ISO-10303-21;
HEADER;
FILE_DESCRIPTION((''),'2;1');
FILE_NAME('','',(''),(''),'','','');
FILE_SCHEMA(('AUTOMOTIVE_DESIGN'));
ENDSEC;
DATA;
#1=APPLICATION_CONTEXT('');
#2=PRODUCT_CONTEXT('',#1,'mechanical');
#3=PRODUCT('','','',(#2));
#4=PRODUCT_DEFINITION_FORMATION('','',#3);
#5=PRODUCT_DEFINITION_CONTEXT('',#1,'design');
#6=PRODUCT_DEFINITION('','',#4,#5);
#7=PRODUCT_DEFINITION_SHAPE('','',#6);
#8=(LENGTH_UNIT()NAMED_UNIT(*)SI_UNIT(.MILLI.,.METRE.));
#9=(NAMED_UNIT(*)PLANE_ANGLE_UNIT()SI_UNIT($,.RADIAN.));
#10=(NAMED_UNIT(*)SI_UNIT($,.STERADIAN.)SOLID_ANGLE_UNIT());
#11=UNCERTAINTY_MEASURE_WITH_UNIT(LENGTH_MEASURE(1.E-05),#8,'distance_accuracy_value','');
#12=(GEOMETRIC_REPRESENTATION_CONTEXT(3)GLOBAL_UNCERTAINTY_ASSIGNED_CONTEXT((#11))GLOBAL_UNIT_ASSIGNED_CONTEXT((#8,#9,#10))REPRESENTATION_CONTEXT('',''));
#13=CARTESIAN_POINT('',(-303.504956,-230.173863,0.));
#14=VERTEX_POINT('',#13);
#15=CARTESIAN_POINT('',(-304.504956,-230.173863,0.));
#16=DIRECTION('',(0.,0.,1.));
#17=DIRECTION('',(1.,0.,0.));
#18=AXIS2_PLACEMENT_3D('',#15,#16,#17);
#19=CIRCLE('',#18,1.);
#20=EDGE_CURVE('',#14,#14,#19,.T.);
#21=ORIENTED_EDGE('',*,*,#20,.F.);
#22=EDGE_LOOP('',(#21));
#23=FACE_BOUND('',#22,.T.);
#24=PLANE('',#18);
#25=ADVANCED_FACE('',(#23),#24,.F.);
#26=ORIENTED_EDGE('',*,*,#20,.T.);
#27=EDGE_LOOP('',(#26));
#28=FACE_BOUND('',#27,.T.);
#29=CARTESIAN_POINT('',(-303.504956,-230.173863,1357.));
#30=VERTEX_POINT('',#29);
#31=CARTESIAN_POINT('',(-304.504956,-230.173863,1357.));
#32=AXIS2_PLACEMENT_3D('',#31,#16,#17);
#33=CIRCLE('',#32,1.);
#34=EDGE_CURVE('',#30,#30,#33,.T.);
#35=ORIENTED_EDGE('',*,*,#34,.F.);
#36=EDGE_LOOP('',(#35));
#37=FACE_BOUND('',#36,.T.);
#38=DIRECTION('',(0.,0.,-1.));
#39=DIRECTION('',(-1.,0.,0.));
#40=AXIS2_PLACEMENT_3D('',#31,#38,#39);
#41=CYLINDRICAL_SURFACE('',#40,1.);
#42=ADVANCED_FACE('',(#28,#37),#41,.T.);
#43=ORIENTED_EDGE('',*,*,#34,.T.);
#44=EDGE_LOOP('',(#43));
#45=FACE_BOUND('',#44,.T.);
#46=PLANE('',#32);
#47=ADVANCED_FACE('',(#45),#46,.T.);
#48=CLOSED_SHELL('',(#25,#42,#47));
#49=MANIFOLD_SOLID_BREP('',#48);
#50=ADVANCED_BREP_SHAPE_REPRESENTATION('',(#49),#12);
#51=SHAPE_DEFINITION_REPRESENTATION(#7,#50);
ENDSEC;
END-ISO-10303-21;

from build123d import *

# Parameters (mm, degrees)
SKETCH2_R           = 1
BOSS_EXTRUDE1_DEPTH = 1357


with BuildPart() as part:
    # Sketch2 → Boss-Extrude1 (new body)
    with BuildSketch(Plane.XY):
        with Locations((-304.504955965, -230.173862593)):
            Circle(SKETCH2_R)
    extrude(amount=BOSS_EXTRUDE1_DEPTH)


solid = part.part
